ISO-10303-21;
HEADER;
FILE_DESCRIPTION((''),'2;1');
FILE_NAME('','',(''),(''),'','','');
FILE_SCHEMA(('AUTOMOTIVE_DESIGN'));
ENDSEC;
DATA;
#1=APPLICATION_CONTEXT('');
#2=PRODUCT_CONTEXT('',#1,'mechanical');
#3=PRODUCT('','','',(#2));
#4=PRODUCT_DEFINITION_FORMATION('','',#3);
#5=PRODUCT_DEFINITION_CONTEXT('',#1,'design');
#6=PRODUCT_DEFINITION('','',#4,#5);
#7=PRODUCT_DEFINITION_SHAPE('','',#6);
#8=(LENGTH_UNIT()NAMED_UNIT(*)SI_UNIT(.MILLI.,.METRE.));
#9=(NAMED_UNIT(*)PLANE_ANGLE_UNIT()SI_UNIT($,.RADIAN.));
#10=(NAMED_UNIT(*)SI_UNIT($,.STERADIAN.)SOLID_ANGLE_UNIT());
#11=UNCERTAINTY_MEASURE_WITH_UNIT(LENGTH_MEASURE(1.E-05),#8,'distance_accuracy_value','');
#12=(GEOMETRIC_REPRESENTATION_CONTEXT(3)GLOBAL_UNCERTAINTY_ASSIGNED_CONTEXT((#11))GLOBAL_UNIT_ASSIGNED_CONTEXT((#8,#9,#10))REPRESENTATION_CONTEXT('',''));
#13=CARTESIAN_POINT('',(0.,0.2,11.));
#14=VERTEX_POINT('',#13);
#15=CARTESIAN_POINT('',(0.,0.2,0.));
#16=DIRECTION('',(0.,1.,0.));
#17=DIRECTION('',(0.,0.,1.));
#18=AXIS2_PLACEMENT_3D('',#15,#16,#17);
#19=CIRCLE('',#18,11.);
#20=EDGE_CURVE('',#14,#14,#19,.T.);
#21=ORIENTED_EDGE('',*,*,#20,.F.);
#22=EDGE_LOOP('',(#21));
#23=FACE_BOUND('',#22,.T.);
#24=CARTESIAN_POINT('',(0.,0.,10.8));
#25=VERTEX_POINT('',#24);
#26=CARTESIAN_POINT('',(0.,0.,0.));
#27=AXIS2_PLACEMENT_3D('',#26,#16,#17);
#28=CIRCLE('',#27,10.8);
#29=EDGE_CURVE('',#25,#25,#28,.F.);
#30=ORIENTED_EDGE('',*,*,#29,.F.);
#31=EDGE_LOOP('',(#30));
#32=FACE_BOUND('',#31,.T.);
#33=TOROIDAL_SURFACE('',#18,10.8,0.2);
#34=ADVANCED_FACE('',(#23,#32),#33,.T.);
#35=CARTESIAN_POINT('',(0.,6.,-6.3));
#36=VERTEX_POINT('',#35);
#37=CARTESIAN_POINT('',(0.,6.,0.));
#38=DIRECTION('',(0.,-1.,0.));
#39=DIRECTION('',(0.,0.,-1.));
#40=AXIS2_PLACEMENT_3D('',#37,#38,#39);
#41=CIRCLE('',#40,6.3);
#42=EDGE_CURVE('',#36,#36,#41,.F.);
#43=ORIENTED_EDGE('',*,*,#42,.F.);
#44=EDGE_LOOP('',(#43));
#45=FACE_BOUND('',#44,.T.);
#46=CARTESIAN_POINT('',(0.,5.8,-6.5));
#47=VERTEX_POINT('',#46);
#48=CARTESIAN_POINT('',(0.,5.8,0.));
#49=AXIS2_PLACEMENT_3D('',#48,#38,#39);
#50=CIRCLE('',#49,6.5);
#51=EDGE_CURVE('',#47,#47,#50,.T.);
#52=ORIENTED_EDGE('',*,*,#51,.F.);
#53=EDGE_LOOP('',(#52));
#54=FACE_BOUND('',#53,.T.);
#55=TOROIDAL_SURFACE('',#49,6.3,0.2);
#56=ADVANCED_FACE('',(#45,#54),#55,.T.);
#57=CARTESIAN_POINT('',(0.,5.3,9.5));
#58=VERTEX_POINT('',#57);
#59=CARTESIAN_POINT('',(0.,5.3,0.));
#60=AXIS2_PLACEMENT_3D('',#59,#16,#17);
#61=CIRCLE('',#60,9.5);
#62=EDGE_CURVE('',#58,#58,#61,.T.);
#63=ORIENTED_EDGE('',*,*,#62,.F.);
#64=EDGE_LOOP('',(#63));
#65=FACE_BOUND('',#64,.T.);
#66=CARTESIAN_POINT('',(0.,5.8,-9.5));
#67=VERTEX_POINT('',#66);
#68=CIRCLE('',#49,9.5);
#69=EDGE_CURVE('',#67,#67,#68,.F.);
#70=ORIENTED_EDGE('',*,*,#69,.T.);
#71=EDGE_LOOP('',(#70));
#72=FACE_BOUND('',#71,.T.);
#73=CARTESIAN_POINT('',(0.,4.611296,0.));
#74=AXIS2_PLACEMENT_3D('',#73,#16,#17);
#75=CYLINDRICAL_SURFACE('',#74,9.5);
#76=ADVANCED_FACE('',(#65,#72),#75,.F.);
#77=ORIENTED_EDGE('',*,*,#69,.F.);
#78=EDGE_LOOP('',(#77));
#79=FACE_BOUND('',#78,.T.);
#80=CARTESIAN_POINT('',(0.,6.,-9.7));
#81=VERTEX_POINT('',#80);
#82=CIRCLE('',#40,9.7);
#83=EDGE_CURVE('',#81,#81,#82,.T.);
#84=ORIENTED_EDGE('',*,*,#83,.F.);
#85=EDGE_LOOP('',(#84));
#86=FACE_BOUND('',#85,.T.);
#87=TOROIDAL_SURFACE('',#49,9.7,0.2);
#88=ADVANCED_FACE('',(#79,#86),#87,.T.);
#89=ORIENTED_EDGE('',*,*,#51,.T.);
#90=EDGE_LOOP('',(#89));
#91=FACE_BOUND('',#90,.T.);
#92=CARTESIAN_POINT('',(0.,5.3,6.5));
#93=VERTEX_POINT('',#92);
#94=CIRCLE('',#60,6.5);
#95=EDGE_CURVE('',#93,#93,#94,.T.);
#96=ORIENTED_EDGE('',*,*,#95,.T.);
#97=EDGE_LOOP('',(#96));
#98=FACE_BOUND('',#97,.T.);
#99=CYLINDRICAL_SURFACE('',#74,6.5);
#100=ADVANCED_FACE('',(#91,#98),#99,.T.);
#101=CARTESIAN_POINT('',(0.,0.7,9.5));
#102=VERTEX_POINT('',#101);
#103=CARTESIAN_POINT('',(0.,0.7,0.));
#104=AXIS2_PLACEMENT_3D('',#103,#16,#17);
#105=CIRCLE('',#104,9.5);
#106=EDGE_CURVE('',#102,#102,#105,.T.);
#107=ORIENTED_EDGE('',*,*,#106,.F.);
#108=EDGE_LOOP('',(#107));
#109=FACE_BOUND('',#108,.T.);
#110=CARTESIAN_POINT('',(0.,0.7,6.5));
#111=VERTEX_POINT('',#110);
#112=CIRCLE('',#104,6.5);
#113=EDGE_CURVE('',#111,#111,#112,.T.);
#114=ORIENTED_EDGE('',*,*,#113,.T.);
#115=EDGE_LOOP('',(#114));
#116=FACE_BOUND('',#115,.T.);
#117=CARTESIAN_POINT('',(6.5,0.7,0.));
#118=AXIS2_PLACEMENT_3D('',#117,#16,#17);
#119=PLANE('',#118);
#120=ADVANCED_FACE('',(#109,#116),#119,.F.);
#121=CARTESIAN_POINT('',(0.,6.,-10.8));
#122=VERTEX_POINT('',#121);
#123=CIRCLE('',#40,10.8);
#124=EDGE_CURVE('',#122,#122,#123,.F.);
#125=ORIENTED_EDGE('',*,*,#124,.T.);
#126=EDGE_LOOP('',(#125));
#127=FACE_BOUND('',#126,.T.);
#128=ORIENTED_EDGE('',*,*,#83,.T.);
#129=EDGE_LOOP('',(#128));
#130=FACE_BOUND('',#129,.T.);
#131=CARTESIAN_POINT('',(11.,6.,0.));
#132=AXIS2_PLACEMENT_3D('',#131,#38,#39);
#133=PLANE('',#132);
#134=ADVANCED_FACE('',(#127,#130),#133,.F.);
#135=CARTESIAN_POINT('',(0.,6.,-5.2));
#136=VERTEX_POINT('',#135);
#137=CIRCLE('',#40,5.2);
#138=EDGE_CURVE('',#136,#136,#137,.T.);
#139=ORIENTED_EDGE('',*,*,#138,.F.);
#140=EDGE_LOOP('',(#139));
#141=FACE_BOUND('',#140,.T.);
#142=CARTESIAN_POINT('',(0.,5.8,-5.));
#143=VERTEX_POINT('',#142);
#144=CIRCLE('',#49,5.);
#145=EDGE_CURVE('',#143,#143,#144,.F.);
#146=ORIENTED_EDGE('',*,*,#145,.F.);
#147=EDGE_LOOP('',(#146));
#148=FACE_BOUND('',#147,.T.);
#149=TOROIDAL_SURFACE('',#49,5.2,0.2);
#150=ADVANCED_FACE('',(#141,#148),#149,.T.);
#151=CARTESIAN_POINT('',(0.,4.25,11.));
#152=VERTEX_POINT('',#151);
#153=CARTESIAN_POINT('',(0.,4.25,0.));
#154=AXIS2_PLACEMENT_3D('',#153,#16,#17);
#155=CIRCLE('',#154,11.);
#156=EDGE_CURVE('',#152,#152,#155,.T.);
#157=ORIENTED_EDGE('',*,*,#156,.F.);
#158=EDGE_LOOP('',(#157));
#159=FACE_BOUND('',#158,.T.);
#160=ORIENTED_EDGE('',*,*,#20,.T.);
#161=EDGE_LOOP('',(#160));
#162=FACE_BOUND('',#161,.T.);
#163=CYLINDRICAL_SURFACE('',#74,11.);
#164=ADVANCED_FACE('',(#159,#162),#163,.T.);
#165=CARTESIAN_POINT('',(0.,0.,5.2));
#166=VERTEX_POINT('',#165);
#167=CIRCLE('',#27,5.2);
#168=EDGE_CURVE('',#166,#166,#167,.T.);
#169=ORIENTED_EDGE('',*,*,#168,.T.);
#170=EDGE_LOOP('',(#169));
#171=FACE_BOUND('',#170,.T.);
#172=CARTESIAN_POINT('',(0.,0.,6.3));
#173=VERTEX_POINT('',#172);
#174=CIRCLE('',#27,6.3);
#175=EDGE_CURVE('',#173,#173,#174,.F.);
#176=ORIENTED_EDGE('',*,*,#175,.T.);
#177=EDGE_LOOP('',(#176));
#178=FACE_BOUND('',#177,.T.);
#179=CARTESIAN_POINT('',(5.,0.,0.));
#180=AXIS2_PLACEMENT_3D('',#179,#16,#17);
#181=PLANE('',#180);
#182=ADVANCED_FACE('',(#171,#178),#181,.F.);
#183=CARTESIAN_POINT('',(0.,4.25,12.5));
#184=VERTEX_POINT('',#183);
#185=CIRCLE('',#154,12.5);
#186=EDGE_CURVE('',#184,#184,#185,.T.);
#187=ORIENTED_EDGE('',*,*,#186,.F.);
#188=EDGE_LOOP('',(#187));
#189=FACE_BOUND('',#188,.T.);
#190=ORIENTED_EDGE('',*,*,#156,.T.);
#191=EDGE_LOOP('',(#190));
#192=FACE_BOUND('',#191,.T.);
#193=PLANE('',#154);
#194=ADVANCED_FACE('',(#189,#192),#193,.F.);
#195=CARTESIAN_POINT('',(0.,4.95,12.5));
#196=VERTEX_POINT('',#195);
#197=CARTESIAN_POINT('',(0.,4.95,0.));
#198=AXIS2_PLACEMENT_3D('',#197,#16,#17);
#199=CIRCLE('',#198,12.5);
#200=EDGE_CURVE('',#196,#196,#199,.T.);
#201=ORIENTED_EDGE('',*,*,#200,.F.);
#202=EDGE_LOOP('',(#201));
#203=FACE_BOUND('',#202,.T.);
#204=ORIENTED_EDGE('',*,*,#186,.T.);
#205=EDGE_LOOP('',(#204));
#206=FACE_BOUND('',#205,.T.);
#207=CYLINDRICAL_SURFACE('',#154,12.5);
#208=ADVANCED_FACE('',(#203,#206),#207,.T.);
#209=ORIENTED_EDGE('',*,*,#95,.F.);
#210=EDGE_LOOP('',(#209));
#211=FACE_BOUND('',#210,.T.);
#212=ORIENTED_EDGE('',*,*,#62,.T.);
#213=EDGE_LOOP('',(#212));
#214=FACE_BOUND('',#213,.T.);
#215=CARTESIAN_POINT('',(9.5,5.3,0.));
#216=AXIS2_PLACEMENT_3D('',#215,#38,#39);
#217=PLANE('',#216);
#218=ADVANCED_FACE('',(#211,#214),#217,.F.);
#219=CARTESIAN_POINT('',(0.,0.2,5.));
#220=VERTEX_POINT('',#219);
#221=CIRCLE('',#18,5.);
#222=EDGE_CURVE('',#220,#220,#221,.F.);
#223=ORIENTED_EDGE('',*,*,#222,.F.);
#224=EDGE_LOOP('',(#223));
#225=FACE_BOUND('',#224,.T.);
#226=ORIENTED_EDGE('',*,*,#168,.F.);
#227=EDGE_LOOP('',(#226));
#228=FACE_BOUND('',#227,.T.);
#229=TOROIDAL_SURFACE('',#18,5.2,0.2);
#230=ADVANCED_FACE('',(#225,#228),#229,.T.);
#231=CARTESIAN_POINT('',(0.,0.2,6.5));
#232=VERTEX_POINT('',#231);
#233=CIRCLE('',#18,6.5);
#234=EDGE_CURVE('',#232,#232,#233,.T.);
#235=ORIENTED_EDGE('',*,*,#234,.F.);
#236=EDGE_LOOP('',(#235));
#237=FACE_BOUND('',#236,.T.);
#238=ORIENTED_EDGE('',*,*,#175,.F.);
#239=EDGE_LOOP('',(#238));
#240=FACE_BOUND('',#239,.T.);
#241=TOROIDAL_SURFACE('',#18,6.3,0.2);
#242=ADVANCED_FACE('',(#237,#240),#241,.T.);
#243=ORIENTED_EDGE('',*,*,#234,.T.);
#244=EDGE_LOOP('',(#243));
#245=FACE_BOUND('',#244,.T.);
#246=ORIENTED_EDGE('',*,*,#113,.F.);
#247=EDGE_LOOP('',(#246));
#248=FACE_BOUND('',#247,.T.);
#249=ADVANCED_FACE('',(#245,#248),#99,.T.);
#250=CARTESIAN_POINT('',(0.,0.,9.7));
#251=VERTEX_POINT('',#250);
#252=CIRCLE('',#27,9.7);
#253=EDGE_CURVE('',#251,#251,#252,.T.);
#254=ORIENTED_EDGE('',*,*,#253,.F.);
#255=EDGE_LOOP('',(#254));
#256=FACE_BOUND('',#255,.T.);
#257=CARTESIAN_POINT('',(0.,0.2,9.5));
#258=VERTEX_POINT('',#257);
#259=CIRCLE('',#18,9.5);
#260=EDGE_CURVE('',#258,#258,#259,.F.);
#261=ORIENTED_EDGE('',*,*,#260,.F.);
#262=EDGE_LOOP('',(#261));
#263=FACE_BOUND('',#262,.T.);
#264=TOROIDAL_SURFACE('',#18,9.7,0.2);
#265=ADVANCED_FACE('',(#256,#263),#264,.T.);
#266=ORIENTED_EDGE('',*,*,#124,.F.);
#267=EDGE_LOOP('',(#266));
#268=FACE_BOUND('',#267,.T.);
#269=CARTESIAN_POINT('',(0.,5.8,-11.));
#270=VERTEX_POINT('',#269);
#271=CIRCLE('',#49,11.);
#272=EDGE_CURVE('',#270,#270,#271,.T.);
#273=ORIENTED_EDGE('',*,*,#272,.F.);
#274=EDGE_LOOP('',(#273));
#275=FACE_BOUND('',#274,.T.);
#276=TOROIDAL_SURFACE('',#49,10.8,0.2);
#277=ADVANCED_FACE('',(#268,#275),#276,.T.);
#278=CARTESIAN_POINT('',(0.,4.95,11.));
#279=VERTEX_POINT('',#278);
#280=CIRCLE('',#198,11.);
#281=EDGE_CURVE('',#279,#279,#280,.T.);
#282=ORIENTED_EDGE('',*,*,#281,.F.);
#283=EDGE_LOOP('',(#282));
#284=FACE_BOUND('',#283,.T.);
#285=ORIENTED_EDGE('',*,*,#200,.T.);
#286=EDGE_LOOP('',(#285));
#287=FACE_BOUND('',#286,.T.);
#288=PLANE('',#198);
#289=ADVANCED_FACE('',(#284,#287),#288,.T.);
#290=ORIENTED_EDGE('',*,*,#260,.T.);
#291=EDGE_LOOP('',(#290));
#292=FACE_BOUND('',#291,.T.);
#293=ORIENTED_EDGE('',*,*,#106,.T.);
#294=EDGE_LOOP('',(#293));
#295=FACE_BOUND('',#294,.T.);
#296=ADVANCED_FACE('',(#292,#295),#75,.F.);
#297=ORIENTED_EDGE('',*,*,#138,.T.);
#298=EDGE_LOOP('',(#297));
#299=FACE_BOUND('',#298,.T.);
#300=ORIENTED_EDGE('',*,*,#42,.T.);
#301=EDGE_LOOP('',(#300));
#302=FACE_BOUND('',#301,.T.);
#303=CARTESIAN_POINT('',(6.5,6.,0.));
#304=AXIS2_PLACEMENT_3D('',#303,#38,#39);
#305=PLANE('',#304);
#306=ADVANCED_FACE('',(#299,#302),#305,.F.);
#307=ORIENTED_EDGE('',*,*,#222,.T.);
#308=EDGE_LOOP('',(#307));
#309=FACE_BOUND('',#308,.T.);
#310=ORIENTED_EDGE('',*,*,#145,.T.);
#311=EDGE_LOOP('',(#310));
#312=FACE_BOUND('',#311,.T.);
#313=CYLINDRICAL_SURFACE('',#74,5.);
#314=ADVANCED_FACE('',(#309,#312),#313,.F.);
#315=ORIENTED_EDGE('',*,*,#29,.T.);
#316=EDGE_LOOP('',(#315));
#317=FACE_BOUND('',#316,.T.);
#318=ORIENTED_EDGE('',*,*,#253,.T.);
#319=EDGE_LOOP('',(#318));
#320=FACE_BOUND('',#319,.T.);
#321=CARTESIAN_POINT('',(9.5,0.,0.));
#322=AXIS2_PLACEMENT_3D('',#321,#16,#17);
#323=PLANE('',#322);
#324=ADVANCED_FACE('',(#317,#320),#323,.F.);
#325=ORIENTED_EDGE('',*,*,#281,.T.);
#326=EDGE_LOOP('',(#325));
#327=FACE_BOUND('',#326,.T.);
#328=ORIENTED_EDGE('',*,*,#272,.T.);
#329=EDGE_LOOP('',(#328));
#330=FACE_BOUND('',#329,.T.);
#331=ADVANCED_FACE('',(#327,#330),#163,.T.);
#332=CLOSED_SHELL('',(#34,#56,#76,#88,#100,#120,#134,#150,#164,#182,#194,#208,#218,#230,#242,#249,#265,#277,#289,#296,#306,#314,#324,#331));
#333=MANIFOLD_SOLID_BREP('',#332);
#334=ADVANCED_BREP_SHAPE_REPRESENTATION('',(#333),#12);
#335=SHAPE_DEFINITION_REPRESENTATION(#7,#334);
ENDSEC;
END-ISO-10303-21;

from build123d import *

# Parameters (mm, degrees)
FILLET_1_R      = 0.2
EXTRUDE_START   = -1.05
SKETCH_2_R      = 12.5
SKETCH_2_R_2    = 11
EXTRUDE_1_DEPTH = 0.7


with BuildPart() as part:
    # 草图1 → 旋转1 (revolve)
    with BuildSketch(Plane.XY, mode=Mode.PRIVATE) as revolve_1_sk:
        Polygon((5, 6), (5, 0), (6.5, 0), (6.5, 0.7), (9.5, 0.7), (9.5, 0), (11, 0), (11, 6), (9.5, 6), (9.5, 5.3), (6.5, 5.3), (6.5, 6), align=None)
    revolve(revolve_1_sk.sketch.rotate(Axis((0, 4.611296038, 0), (0, -1, 0)), 90), axis=Axis((0, 4.611296038, 0), (0, -1, 0)))

    # 圆角1
    fillet_1_edges = [part.edges().sort_by_distance(p)[0] for p in [
        (0, 6, -9.5),
        (0, 6, -11),
        (0, 0, -11),
        (0, 0, -9.5),
        (0, 0, -6.5),
        (0, 0, -5),
        (0, 6, -5),
        (0, 6, -6.5),
    ]]
    fillet(fillet_1_edges, radius=FILLET_1_R)

    # 草图2 → 凸台-拉伸1 (add)
    with BuildSketch(Plane(origin=(0, 6, 0), x_dir=(1, 0, 0), z_dir=(0, 1, 0)).offset(EXTRUDE_START)):
        with Locations(Location((0, 0, 0), (0, 0, 270))):
            Circle(SKETCH_2_R)
        with Locations(Location((0, 0, 0), (0, 0, 270))):
            Circle(SKETCH_2_R_2, mode=Mode.SUBTRACT)
    extrude(amount=-EXTRUDE_1_DEPTH)


solid = part.part
